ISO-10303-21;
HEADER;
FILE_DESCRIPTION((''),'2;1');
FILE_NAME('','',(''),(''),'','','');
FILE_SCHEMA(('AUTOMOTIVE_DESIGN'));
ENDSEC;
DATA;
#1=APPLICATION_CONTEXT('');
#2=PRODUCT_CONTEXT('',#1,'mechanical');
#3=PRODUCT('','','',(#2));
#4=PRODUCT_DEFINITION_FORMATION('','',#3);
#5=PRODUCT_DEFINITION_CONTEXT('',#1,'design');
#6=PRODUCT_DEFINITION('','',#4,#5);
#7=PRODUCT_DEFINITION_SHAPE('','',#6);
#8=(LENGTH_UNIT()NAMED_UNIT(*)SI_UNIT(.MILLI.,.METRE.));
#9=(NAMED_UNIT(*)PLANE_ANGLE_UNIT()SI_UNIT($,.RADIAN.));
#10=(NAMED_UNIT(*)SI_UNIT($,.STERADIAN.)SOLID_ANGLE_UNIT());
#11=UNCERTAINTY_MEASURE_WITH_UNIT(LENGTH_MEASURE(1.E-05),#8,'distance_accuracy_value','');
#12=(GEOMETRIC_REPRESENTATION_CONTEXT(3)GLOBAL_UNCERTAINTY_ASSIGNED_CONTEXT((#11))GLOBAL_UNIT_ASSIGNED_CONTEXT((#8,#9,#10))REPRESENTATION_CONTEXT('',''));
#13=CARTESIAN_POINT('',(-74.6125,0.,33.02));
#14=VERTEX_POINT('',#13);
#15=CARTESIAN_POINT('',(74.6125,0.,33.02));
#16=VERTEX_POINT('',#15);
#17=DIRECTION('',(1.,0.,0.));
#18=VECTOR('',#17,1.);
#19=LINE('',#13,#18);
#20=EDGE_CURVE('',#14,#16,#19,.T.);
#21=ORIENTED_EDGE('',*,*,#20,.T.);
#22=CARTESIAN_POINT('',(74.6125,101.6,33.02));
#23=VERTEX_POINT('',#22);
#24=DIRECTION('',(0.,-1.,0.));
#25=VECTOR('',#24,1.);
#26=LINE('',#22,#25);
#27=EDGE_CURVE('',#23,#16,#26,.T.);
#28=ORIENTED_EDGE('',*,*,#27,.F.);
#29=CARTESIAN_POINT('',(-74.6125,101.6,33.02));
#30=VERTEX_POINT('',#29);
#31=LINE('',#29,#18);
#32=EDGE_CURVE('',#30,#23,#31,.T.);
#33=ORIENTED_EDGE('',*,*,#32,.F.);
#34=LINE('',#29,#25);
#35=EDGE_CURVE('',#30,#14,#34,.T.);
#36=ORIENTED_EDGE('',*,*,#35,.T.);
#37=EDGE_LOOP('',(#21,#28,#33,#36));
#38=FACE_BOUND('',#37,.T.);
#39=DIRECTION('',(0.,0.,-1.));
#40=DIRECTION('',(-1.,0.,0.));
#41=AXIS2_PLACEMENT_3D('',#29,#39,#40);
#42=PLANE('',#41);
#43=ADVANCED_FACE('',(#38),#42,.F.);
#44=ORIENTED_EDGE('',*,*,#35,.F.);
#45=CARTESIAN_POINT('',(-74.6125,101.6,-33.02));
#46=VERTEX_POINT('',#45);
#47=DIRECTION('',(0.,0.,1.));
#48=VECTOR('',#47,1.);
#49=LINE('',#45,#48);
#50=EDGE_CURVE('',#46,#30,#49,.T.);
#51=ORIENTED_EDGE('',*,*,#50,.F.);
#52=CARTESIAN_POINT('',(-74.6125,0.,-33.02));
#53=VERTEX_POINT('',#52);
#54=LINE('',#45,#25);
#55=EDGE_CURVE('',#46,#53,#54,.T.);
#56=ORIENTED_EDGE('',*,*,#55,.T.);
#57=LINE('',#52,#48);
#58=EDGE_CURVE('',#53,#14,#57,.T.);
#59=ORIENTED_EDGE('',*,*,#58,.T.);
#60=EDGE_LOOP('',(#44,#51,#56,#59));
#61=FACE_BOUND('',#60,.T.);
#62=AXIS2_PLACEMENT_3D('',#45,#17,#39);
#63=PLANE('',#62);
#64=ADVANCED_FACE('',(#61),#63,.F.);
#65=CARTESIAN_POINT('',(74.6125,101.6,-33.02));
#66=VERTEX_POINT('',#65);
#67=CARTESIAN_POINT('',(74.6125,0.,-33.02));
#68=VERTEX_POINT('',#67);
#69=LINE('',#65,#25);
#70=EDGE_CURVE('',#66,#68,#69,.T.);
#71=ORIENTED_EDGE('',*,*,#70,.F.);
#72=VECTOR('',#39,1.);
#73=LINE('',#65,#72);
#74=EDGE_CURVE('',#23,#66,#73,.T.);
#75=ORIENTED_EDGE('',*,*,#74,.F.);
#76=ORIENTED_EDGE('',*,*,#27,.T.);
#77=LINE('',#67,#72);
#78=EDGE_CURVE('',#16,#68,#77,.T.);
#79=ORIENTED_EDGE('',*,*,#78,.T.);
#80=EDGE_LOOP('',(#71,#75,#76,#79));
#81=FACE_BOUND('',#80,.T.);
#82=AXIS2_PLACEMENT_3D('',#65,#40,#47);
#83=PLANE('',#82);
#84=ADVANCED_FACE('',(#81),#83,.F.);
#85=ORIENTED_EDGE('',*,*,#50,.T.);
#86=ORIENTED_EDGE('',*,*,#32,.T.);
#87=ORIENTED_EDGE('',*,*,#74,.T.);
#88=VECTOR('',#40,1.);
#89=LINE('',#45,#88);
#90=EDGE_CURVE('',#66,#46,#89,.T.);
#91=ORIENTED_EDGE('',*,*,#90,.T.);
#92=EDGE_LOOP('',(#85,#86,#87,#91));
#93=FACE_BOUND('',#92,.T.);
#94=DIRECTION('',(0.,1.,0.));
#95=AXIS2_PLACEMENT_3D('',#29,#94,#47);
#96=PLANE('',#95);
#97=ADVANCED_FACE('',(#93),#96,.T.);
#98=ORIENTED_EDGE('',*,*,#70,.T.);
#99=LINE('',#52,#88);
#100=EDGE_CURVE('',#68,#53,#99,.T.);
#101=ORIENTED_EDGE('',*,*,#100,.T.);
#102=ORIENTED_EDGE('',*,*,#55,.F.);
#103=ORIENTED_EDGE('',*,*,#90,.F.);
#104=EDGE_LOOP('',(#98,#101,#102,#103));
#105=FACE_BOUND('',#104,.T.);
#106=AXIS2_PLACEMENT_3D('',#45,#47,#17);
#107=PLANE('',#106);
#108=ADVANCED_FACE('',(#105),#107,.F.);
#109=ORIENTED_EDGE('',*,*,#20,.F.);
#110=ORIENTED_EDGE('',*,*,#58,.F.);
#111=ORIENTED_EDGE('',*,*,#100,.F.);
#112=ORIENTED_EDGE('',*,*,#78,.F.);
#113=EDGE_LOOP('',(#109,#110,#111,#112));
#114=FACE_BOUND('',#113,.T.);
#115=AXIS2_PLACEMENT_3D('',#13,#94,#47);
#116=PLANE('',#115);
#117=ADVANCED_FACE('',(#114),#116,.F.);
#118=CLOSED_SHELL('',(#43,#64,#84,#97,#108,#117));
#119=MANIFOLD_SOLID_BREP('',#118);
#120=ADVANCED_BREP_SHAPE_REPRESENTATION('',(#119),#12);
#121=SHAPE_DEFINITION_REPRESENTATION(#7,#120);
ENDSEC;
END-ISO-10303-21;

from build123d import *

# Parameters (mm, degrees)
SKETCH2_W      = 149.225
SKETCH2_H      = 66.04
EXTRUDE1_DEPTH = 101.6


with BuildPart() as part:
    # Sketch2 → Extrude1 (new body)
    with BuildSketch(Plane(origin=(0, 0, 0), x_dir=(1, 0, 0), z_dir=(0, 1, 0))):
        Rectangle(SKETCH2_W, SKETCH2_H)
    extrude(amount=EXTRUDE1_DEPTH)


solid = part.part
